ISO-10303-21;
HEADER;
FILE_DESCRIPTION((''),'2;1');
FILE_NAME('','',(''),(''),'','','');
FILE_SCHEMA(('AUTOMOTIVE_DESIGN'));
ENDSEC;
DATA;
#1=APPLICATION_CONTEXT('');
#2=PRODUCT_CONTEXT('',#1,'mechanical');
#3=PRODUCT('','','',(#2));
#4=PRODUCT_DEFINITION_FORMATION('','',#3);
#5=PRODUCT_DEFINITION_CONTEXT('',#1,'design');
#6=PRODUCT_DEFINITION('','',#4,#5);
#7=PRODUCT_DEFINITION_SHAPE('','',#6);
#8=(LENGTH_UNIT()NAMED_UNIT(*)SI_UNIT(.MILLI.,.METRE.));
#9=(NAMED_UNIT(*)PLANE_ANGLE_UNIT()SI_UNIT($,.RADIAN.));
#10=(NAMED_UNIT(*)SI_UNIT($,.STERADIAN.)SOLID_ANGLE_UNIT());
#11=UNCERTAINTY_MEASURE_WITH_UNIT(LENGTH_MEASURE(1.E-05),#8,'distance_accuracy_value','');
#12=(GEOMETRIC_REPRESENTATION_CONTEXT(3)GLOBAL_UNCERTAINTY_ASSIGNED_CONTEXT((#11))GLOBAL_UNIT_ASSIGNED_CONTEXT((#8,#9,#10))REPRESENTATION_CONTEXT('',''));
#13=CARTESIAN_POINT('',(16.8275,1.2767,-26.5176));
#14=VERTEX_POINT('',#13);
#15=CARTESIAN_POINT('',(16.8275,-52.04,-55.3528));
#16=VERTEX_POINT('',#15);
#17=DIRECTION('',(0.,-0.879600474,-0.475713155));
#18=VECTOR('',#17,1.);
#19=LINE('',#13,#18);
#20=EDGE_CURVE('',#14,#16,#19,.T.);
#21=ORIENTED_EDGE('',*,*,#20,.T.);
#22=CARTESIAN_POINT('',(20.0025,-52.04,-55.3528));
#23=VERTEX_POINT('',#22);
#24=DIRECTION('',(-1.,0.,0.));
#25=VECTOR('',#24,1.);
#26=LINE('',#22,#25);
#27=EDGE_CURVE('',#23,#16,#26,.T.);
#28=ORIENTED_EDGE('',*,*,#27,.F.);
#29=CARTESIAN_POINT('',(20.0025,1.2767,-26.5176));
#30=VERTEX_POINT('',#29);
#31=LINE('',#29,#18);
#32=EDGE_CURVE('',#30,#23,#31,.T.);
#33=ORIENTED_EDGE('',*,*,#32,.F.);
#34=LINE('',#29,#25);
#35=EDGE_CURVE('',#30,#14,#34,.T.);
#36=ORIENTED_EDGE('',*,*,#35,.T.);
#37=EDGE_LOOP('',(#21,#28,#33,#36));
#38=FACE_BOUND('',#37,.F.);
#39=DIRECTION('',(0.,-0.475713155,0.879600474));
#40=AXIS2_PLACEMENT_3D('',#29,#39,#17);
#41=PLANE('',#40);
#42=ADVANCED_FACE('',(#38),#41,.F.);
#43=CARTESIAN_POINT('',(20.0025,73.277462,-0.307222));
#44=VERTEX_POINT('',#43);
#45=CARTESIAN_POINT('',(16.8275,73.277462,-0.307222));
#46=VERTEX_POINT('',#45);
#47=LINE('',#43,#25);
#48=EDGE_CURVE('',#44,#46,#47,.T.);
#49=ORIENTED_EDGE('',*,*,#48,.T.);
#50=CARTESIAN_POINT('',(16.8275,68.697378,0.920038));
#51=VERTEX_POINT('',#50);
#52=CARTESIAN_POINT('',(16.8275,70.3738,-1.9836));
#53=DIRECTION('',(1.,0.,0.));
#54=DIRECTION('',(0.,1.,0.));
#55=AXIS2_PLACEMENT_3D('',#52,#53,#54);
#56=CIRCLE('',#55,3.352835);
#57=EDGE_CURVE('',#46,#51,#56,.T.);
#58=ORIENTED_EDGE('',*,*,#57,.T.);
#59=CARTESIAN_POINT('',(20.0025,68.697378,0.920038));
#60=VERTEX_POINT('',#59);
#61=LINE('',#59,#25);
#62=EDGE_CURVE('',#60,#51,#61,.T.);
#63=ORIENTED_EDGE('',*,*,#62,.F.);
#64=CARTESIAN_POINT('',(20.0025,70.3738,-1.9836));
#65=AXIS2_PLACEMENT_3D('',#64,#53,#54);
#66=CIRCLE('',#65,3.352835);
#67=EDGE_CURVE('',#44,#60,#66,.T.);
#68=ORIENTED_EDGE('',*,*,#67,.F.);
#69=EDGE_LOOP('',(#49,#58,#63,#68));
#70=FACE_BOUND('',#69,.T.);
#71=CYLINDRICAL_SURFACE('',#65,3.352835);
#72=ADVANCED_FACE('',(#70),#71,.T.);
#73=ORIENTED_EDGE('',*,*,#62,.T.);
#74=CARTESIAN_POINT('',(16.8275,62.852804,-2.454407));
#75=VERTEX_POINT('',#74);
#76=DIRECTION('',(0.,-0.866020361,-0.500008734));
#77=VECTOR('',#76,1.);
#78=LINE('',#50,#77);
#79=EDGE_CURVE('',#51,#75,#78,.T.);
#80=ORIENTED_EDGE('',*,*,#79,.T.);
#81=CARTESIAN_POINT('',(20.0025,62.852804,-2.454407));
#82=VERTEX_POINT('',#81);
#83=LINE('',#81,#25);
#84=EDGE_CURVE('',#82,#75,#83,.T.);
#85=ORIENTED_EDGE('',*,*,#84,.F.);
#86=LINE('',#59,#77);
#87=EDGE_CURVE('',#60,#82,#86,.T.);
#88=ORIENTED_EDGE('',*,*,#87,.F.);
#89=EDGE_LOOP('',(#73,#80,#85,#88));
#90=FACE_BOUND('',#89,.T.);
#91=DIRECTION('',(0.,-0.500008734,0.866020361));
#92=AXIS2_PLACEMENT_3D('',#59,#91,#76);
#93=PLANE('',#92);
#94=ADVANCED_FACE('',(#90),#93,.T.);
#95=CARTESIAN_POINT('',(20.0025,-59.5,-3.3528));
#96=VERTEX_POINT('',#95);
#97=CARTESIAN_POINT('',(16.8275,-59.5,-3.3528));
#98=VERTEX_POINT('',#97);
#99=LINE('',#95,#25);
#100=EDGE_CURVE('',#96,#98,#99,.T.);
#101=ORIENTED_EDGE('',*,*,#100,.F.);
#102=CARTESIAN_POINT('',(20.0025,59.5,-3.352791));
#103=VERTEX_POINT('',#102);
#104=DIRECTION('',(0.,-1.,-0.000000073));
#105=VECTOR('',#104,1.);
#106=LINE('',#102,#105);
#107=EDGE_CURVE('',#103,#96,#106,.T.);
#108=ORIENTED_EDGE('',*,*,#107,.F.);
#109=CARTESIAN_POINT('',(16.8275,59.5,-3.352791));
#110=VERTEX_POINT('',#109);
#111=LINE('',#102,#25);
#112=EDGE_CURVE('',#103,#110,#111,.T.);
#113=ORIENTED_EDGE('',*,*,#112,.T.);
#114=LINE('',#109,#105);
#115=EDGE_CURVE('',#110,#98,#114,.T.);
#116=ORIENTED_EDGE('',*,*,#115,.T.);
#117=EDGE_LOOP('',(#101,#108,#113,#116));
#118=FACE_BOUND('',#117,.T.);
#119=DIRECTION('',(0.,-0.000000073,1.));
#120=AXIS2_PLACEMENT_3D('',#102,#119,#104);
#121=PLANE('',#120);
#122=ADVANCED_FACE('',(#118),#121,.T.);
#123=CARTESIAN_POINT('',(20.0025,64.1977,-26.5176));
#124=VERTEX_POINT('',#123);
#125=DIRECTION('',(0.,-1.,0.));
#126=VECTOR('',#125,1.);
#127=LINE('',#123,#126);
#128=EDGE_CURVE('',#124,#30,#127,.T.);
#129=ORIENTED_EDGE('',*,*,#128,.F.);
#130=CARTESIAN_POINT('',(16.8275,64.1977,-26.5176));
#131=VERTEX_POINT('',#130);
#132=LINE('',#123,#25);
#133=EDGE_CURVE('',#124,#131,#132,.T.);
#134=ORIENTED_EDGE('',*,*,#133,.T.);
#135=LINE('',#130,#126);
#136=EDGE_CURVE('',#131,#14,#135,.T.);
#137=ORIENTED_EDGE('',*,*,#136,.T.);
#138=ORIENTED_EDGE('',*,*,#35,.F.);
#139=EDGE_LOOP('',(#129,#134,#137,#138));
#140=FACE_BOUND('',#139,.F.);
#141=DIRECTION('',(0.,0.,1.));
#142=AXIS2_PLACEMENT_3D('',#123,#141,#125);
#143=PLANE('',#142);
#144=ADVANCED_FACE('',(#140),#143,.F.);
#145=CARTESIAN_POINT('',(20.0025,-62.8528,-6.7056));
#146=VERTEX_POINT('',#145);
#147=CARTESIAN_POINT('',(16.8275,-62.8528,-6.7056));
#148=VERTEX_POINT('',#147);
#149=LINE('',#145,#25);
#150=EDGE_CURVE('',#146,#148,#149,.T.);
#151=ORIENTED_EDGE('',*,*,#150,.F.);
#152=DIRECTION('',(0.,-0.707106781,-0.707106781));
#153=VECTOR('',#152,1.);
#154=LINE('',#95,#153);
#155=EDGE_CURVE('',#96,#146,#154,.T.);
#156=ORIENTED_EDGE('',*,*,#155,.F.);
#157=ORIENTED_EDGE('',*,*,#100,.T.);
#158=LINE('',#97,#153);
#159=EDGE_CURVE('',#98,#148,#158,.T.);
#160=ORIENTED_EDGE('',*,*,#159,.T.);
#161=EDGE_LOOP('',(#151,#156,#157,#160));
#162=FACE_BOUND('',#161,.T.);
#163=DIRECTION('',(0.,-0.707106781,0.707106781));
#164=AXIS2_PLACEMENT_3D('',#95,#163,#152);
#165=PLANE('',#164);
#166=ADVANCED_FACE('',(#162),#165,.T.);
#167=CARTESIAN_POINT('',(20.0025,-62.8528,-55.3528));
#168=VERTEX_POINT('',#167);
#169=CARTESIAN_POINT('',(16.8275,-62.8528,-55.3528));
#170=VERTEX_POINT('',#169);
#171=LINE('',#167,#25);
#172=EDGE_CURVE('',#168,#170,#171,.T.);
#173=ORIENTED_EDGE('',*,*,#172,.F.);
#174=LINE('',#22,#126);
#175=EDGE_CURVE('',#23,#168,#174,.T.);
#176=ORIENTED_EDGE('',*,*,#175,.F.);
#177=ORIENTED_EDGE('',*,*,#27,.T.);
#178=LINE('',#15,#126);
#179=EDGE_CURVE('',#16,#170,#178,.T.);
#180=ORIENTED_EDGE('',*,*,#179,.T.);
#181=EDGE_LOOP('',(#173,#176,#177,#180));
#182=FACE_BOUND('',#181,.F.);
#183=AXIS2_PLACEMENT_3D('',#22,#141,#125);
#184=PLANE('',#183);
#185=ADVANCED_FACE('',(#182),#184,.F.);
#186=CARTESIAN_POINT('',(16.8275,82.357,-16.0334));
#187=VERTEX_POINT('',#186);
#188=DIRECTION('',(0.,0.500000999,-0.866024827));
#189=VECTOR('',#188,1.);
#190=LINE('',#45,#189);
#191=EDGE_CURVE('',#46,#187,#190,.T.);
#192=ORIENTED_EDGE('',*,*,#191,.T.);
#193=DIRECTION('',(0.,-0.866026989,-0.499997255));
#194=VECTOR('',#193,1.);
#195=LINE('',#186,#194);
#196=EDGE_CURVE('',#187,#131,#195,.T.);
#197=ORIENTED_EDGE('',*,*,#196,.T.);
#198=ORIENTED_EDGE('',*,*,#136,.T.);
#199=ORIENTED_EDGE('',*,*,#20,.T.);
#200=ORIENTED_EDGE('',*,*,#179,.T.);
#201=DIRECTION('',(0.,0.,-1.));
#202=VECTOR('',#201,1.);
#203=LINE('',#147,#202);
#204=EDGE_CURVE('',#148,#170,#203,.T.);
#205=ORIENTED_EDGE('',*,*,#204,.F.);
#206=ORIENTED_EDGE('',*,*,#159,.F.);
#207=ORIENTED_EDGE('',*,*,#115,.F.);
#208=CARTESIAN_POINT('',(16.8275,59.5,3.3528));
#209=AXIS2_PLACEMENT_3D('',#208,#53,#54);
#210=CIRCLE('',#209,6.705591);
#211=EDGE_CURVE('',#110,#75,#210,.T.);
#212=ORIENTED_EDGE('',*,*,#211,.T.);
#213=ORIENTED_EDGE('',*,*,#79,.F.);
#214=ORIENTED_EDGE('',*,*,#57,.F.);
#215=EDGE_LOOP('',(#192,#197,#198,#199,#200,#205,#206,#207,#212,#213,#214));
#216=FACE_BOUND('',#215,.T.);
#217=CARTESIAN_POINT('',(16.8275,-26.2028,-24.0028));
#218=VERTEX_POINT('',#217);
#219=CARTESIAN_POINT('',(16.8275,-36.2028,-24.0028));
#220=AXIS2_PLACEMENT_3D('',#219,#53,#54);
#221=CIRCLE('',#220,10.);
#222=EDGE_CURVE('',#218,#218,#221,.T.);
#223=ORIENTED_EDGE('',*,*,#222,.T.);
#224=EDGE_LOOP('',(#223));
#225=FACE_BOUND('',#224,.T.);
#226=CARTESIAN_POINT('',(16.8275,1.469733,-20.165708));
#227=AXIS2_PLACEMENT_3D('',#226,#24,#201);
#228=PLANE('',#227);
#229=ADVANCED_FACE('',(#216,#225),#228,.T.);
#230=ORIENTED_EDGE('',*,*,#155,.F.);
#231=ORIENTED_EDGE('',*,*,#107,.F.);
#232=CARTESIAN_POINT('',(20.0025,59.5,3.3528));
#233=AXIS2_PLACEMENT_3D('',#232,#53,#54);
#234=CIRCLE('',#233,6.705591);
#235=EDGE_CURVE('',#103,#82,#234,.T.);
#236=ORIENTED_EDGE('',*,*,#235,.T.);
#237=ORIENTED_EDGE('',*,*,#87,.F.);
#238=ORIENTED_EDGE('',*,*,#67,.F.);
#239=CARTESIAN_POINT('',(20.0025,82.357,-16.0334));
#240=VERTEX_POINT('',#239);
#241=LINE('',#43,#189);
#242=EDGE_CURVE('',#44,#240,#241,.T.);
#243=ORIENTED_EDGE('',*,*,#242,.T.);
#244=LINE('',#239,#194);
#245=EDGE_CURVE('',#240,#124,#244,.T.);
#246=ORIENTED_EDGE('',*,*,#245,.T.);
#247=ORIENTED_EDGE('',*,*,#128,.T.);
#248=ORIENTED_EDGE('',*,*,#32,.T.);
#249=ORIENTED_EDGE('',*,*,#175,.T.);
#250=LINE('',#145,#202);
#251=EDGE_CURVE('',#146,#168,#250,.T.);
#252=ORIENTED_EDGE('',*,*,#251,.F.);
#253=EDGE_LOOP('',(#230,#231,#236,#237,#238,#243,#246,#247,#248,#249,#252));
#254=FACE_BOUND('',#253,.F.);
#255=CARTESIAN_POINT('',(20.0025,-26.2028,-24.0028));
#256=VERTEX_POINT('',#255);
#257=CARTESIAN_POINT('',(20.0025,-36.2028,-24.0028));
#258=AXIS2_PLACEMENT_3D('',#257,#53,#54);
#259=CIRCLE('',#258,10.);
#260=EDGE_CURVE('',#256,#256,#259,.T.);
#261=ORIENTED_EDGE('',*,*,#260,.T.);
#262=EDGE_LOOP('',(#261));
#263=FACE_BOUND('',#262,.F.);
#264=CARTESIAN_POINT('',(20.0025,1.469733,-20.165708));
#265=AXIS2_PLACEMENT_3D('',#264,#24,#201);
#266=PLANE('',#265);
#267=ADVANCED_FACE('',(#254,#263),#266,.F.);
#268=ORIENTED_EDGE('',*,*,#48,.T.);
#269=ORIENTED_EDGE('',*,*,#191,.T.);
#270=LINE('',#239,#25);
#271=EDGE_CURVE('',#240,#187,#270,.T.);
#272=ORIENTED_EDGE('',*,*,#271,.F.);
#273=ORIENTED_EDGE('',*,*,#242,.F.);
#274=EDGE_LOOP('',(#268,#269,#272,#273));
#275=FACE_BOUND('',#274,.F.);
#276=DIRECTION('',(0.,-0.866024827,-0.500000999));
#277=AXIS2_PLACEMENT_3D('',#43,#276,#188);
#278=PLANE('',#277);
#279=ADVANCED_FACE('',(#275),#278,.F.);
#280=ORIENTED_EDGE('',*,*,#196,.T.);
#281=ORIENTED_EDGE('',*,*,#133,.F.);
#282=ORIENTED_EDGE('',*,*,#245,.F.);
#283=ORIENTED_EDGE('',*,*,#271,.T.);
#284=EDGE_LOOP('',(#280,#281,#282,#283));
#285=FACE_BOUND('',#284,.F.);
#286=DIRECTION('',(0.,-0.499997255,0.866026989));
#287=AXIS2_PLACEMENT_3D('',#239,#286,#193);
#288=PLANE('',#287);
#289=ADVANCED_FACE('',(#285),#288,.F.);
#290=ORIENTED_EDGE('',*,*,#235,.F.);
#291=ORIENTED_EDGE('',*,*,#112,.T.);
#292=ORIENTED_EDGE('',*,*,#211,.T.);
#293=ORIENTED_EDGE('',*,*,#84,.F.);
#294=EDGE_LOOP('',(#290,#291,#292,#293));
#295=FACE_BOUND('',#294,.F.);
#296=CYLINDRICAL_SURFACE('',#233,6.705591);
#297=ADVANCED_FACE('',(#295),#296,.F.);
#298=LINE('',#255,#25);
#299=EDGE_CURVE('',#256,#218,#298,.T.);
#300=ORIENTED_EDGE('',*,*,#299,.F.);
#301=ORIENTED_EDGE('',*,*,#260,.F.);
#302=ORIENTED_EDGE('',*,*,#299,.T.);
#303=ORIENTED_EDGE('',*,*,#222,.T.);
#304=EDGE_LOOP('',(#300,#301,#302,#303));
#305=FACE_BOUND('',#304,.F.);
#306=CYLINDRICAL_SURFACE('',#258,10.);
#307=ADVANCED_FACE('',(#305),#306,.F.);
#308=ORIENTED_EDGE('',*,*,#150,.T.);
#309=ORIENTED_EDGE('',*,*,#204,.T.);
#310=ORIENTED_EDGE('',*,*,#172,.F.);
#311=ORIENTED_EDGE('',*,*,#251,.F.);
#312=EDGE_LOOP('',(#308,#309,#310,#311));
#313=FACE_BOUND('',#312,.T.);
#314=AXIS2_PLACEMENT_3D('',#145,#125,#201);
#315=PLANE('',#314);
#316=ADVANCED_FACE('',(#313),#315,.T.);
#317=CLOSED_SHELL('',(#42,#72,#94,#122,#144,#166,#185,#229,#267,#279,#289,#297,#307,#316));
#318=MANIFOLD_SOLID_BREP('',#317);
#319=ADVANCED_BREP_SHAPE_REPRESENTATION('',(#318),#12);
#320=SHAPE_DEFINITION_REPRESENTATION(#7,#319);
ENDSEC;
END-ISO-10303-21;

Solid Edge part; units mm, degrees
sketch "Sketch1" plane through (20.0025, 0, 0) normal (1, 0, 0) x (0, 1, 0)
  line L0 (82.357, -16.0334) -> (64.1977, -26.5176)
  line L1 (64.1977, -26.5176) -> (1.2767, -26.5176)
  line L2 (1.2767, -26.5176) -> (-52.04, -55.3528)
  line L3 (-52.04, -55.3528) -> (-62.8528, -55.3528)
  line L4 (-62.8528, -6.7056) -> (-62.8528, -55.3528)
  line L5 (-59.5, -3.3528) -> (-62.8528, -6.7056)
  line L6 (59.5, -3.3528) -> (-59.5, -3.3528)
  arc A0 (59.5, -3.3528) -> (62.8528, -2.4544) centre (59.5, 3.3528) ccw
  line L7 (68.6974, 0.92) -> (62.8528, -2.4544)
  arc A1 (73.2775, -0.3072) -> (68.6974, 0.92) centre (70.3738, -1.9836) ccw
  line L8 (73.2775, -0.3072) -> (82.357, -16.0334)
  circle A2 centre (-36.2028, -24.0028) radius 10
  dimension "D1" = 23.1648
  dimension "D2" = 20.65
  dimension "D3" = 26.65
extrude "ExtrudedProtrusion_1" add sketch "Sketch1" against normal blind 3.175
properties material "Steel"
